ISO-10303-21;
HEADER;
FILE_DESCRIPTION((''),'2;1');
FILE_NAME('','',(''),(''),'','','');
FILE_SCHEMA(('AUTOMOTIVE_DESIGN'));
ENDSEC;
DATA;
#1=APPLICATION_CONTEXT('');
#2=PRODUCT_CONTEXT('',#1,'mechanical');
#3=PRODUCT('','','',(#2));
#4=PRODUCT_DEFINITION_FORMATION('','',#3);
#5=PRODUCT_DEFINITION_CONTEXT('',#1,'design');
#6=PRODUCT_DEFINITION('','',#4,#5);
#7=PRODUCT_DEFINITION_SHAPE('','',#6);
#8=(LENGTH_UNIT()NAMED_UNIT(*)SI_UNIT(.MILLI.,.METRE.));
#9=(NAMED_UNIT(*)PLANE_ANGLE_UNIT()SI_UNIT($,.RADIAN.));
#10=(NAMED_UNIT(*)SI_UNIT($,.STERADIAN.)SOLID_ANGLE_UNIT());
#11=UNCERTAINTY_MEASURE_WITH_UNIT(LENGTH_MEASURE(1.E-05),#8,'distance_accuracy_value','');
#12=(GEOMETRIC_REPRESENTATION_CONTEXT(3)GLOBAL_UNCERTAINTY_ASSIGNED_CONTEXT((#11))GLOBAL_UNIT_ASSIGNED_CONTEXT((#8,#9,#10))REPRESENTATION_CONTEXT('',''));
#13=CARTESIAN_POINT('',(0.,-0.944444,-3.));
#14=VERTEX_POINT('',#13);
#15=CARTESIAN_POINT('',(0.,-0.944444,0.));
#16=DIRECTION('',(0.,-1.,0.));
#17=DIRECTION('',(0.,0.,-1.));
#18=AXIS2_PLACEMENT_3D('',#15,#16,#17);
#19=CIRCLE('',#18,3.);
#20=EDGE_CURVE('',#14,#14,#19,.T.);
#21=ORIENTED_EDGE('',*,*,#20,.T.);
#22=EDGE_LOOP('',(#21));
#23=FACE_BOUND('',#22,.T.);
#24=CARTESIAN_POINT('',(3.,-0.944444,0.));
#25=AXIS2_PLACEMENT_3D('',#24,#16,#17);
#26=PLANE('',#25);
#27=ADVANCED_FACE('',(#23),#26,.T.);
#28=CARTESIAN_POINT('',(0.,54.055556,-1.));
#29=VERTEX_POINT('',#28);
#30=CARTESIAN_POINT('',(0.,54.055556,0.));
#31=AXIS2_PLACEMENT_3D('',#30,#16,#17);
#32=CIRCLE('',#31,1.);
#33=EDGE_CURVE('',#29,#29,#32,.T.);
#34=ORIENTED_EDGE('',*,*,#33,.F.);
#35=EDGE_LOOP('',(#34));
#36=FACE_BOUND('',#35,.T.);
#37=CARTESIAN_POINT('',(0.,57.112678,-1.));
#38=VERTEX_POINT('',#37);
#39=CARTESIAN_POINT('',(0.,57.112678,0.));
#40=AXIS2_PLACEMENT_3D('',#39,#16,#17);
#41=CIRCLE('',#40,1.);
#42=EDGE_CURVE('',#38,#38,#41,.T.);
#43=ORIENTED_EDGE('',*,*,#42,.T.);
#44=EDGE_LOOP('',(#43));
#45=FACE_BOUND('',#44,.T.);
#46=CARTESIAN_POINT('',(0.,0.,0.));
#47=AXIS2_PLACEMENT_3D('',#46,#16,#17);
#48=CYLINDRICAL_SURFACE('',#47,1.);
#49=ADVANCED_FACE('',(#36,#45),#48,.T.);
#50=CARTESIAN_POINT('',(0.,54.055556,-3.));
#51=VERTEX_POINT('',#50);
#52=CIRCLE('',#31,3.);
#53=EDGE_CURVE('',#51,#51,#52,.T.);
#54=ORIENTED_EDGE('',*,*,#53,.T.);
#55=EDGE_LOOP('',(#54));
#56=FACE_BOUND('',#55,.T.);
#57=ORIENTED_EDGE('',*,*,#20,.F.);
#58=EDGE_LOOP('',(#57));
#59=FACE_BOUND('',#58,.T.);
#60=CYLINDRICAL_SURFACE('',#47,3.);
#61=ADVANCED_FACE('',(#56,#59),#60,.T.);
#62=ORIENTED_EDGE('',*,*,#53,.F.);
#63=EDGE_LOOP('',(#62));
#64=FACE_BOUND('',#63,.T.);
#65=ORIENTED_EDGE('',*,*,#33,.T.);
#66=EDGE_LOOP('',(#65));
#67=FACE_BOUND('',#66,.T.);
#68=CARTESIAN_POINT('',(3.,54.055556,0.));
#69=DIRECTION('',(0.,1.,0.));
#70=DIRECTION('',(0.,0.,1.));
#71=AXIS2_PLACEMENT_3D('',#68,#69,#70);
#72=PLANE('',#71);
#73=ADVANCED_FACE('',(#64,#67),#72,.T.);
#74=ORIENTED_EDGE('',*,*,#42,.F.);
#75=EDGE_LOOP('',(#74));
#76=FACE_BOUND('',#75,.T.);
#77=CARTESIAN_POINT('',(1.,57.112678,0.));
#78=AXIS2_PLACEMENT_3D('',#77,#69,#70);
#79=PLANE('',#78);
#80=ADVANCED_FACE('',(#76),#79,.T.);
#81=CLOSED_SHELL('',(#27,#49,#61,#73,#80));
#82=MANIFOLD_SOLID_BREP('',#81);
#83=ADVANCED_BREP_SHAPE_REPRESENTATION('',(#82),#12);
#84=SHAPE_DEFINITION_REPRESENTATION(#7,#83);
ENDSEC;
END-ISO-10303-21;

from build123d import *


with BuildPart() as part:
    # Esquisse1 → Révolution1 (revolve)
    with BuildSketch(Plane.XY, mode=Mode.PRIVATE) as r_volution1_sk:
        Polygon((3, 54.055555556), (1, 54.055555556), (1, 57.112678409), (0, 57.112678409), (0, 9.055555556), (0, -0.944444444), (3, -0.944444444), align=None)
    revolve(r_volution1_sk.sketch.rotate(Axis((0, 0, 0), (0, 1, 0)), 90), axis=Axis((0, 0, 0), (0, 1, 0)))


solid = part.part
